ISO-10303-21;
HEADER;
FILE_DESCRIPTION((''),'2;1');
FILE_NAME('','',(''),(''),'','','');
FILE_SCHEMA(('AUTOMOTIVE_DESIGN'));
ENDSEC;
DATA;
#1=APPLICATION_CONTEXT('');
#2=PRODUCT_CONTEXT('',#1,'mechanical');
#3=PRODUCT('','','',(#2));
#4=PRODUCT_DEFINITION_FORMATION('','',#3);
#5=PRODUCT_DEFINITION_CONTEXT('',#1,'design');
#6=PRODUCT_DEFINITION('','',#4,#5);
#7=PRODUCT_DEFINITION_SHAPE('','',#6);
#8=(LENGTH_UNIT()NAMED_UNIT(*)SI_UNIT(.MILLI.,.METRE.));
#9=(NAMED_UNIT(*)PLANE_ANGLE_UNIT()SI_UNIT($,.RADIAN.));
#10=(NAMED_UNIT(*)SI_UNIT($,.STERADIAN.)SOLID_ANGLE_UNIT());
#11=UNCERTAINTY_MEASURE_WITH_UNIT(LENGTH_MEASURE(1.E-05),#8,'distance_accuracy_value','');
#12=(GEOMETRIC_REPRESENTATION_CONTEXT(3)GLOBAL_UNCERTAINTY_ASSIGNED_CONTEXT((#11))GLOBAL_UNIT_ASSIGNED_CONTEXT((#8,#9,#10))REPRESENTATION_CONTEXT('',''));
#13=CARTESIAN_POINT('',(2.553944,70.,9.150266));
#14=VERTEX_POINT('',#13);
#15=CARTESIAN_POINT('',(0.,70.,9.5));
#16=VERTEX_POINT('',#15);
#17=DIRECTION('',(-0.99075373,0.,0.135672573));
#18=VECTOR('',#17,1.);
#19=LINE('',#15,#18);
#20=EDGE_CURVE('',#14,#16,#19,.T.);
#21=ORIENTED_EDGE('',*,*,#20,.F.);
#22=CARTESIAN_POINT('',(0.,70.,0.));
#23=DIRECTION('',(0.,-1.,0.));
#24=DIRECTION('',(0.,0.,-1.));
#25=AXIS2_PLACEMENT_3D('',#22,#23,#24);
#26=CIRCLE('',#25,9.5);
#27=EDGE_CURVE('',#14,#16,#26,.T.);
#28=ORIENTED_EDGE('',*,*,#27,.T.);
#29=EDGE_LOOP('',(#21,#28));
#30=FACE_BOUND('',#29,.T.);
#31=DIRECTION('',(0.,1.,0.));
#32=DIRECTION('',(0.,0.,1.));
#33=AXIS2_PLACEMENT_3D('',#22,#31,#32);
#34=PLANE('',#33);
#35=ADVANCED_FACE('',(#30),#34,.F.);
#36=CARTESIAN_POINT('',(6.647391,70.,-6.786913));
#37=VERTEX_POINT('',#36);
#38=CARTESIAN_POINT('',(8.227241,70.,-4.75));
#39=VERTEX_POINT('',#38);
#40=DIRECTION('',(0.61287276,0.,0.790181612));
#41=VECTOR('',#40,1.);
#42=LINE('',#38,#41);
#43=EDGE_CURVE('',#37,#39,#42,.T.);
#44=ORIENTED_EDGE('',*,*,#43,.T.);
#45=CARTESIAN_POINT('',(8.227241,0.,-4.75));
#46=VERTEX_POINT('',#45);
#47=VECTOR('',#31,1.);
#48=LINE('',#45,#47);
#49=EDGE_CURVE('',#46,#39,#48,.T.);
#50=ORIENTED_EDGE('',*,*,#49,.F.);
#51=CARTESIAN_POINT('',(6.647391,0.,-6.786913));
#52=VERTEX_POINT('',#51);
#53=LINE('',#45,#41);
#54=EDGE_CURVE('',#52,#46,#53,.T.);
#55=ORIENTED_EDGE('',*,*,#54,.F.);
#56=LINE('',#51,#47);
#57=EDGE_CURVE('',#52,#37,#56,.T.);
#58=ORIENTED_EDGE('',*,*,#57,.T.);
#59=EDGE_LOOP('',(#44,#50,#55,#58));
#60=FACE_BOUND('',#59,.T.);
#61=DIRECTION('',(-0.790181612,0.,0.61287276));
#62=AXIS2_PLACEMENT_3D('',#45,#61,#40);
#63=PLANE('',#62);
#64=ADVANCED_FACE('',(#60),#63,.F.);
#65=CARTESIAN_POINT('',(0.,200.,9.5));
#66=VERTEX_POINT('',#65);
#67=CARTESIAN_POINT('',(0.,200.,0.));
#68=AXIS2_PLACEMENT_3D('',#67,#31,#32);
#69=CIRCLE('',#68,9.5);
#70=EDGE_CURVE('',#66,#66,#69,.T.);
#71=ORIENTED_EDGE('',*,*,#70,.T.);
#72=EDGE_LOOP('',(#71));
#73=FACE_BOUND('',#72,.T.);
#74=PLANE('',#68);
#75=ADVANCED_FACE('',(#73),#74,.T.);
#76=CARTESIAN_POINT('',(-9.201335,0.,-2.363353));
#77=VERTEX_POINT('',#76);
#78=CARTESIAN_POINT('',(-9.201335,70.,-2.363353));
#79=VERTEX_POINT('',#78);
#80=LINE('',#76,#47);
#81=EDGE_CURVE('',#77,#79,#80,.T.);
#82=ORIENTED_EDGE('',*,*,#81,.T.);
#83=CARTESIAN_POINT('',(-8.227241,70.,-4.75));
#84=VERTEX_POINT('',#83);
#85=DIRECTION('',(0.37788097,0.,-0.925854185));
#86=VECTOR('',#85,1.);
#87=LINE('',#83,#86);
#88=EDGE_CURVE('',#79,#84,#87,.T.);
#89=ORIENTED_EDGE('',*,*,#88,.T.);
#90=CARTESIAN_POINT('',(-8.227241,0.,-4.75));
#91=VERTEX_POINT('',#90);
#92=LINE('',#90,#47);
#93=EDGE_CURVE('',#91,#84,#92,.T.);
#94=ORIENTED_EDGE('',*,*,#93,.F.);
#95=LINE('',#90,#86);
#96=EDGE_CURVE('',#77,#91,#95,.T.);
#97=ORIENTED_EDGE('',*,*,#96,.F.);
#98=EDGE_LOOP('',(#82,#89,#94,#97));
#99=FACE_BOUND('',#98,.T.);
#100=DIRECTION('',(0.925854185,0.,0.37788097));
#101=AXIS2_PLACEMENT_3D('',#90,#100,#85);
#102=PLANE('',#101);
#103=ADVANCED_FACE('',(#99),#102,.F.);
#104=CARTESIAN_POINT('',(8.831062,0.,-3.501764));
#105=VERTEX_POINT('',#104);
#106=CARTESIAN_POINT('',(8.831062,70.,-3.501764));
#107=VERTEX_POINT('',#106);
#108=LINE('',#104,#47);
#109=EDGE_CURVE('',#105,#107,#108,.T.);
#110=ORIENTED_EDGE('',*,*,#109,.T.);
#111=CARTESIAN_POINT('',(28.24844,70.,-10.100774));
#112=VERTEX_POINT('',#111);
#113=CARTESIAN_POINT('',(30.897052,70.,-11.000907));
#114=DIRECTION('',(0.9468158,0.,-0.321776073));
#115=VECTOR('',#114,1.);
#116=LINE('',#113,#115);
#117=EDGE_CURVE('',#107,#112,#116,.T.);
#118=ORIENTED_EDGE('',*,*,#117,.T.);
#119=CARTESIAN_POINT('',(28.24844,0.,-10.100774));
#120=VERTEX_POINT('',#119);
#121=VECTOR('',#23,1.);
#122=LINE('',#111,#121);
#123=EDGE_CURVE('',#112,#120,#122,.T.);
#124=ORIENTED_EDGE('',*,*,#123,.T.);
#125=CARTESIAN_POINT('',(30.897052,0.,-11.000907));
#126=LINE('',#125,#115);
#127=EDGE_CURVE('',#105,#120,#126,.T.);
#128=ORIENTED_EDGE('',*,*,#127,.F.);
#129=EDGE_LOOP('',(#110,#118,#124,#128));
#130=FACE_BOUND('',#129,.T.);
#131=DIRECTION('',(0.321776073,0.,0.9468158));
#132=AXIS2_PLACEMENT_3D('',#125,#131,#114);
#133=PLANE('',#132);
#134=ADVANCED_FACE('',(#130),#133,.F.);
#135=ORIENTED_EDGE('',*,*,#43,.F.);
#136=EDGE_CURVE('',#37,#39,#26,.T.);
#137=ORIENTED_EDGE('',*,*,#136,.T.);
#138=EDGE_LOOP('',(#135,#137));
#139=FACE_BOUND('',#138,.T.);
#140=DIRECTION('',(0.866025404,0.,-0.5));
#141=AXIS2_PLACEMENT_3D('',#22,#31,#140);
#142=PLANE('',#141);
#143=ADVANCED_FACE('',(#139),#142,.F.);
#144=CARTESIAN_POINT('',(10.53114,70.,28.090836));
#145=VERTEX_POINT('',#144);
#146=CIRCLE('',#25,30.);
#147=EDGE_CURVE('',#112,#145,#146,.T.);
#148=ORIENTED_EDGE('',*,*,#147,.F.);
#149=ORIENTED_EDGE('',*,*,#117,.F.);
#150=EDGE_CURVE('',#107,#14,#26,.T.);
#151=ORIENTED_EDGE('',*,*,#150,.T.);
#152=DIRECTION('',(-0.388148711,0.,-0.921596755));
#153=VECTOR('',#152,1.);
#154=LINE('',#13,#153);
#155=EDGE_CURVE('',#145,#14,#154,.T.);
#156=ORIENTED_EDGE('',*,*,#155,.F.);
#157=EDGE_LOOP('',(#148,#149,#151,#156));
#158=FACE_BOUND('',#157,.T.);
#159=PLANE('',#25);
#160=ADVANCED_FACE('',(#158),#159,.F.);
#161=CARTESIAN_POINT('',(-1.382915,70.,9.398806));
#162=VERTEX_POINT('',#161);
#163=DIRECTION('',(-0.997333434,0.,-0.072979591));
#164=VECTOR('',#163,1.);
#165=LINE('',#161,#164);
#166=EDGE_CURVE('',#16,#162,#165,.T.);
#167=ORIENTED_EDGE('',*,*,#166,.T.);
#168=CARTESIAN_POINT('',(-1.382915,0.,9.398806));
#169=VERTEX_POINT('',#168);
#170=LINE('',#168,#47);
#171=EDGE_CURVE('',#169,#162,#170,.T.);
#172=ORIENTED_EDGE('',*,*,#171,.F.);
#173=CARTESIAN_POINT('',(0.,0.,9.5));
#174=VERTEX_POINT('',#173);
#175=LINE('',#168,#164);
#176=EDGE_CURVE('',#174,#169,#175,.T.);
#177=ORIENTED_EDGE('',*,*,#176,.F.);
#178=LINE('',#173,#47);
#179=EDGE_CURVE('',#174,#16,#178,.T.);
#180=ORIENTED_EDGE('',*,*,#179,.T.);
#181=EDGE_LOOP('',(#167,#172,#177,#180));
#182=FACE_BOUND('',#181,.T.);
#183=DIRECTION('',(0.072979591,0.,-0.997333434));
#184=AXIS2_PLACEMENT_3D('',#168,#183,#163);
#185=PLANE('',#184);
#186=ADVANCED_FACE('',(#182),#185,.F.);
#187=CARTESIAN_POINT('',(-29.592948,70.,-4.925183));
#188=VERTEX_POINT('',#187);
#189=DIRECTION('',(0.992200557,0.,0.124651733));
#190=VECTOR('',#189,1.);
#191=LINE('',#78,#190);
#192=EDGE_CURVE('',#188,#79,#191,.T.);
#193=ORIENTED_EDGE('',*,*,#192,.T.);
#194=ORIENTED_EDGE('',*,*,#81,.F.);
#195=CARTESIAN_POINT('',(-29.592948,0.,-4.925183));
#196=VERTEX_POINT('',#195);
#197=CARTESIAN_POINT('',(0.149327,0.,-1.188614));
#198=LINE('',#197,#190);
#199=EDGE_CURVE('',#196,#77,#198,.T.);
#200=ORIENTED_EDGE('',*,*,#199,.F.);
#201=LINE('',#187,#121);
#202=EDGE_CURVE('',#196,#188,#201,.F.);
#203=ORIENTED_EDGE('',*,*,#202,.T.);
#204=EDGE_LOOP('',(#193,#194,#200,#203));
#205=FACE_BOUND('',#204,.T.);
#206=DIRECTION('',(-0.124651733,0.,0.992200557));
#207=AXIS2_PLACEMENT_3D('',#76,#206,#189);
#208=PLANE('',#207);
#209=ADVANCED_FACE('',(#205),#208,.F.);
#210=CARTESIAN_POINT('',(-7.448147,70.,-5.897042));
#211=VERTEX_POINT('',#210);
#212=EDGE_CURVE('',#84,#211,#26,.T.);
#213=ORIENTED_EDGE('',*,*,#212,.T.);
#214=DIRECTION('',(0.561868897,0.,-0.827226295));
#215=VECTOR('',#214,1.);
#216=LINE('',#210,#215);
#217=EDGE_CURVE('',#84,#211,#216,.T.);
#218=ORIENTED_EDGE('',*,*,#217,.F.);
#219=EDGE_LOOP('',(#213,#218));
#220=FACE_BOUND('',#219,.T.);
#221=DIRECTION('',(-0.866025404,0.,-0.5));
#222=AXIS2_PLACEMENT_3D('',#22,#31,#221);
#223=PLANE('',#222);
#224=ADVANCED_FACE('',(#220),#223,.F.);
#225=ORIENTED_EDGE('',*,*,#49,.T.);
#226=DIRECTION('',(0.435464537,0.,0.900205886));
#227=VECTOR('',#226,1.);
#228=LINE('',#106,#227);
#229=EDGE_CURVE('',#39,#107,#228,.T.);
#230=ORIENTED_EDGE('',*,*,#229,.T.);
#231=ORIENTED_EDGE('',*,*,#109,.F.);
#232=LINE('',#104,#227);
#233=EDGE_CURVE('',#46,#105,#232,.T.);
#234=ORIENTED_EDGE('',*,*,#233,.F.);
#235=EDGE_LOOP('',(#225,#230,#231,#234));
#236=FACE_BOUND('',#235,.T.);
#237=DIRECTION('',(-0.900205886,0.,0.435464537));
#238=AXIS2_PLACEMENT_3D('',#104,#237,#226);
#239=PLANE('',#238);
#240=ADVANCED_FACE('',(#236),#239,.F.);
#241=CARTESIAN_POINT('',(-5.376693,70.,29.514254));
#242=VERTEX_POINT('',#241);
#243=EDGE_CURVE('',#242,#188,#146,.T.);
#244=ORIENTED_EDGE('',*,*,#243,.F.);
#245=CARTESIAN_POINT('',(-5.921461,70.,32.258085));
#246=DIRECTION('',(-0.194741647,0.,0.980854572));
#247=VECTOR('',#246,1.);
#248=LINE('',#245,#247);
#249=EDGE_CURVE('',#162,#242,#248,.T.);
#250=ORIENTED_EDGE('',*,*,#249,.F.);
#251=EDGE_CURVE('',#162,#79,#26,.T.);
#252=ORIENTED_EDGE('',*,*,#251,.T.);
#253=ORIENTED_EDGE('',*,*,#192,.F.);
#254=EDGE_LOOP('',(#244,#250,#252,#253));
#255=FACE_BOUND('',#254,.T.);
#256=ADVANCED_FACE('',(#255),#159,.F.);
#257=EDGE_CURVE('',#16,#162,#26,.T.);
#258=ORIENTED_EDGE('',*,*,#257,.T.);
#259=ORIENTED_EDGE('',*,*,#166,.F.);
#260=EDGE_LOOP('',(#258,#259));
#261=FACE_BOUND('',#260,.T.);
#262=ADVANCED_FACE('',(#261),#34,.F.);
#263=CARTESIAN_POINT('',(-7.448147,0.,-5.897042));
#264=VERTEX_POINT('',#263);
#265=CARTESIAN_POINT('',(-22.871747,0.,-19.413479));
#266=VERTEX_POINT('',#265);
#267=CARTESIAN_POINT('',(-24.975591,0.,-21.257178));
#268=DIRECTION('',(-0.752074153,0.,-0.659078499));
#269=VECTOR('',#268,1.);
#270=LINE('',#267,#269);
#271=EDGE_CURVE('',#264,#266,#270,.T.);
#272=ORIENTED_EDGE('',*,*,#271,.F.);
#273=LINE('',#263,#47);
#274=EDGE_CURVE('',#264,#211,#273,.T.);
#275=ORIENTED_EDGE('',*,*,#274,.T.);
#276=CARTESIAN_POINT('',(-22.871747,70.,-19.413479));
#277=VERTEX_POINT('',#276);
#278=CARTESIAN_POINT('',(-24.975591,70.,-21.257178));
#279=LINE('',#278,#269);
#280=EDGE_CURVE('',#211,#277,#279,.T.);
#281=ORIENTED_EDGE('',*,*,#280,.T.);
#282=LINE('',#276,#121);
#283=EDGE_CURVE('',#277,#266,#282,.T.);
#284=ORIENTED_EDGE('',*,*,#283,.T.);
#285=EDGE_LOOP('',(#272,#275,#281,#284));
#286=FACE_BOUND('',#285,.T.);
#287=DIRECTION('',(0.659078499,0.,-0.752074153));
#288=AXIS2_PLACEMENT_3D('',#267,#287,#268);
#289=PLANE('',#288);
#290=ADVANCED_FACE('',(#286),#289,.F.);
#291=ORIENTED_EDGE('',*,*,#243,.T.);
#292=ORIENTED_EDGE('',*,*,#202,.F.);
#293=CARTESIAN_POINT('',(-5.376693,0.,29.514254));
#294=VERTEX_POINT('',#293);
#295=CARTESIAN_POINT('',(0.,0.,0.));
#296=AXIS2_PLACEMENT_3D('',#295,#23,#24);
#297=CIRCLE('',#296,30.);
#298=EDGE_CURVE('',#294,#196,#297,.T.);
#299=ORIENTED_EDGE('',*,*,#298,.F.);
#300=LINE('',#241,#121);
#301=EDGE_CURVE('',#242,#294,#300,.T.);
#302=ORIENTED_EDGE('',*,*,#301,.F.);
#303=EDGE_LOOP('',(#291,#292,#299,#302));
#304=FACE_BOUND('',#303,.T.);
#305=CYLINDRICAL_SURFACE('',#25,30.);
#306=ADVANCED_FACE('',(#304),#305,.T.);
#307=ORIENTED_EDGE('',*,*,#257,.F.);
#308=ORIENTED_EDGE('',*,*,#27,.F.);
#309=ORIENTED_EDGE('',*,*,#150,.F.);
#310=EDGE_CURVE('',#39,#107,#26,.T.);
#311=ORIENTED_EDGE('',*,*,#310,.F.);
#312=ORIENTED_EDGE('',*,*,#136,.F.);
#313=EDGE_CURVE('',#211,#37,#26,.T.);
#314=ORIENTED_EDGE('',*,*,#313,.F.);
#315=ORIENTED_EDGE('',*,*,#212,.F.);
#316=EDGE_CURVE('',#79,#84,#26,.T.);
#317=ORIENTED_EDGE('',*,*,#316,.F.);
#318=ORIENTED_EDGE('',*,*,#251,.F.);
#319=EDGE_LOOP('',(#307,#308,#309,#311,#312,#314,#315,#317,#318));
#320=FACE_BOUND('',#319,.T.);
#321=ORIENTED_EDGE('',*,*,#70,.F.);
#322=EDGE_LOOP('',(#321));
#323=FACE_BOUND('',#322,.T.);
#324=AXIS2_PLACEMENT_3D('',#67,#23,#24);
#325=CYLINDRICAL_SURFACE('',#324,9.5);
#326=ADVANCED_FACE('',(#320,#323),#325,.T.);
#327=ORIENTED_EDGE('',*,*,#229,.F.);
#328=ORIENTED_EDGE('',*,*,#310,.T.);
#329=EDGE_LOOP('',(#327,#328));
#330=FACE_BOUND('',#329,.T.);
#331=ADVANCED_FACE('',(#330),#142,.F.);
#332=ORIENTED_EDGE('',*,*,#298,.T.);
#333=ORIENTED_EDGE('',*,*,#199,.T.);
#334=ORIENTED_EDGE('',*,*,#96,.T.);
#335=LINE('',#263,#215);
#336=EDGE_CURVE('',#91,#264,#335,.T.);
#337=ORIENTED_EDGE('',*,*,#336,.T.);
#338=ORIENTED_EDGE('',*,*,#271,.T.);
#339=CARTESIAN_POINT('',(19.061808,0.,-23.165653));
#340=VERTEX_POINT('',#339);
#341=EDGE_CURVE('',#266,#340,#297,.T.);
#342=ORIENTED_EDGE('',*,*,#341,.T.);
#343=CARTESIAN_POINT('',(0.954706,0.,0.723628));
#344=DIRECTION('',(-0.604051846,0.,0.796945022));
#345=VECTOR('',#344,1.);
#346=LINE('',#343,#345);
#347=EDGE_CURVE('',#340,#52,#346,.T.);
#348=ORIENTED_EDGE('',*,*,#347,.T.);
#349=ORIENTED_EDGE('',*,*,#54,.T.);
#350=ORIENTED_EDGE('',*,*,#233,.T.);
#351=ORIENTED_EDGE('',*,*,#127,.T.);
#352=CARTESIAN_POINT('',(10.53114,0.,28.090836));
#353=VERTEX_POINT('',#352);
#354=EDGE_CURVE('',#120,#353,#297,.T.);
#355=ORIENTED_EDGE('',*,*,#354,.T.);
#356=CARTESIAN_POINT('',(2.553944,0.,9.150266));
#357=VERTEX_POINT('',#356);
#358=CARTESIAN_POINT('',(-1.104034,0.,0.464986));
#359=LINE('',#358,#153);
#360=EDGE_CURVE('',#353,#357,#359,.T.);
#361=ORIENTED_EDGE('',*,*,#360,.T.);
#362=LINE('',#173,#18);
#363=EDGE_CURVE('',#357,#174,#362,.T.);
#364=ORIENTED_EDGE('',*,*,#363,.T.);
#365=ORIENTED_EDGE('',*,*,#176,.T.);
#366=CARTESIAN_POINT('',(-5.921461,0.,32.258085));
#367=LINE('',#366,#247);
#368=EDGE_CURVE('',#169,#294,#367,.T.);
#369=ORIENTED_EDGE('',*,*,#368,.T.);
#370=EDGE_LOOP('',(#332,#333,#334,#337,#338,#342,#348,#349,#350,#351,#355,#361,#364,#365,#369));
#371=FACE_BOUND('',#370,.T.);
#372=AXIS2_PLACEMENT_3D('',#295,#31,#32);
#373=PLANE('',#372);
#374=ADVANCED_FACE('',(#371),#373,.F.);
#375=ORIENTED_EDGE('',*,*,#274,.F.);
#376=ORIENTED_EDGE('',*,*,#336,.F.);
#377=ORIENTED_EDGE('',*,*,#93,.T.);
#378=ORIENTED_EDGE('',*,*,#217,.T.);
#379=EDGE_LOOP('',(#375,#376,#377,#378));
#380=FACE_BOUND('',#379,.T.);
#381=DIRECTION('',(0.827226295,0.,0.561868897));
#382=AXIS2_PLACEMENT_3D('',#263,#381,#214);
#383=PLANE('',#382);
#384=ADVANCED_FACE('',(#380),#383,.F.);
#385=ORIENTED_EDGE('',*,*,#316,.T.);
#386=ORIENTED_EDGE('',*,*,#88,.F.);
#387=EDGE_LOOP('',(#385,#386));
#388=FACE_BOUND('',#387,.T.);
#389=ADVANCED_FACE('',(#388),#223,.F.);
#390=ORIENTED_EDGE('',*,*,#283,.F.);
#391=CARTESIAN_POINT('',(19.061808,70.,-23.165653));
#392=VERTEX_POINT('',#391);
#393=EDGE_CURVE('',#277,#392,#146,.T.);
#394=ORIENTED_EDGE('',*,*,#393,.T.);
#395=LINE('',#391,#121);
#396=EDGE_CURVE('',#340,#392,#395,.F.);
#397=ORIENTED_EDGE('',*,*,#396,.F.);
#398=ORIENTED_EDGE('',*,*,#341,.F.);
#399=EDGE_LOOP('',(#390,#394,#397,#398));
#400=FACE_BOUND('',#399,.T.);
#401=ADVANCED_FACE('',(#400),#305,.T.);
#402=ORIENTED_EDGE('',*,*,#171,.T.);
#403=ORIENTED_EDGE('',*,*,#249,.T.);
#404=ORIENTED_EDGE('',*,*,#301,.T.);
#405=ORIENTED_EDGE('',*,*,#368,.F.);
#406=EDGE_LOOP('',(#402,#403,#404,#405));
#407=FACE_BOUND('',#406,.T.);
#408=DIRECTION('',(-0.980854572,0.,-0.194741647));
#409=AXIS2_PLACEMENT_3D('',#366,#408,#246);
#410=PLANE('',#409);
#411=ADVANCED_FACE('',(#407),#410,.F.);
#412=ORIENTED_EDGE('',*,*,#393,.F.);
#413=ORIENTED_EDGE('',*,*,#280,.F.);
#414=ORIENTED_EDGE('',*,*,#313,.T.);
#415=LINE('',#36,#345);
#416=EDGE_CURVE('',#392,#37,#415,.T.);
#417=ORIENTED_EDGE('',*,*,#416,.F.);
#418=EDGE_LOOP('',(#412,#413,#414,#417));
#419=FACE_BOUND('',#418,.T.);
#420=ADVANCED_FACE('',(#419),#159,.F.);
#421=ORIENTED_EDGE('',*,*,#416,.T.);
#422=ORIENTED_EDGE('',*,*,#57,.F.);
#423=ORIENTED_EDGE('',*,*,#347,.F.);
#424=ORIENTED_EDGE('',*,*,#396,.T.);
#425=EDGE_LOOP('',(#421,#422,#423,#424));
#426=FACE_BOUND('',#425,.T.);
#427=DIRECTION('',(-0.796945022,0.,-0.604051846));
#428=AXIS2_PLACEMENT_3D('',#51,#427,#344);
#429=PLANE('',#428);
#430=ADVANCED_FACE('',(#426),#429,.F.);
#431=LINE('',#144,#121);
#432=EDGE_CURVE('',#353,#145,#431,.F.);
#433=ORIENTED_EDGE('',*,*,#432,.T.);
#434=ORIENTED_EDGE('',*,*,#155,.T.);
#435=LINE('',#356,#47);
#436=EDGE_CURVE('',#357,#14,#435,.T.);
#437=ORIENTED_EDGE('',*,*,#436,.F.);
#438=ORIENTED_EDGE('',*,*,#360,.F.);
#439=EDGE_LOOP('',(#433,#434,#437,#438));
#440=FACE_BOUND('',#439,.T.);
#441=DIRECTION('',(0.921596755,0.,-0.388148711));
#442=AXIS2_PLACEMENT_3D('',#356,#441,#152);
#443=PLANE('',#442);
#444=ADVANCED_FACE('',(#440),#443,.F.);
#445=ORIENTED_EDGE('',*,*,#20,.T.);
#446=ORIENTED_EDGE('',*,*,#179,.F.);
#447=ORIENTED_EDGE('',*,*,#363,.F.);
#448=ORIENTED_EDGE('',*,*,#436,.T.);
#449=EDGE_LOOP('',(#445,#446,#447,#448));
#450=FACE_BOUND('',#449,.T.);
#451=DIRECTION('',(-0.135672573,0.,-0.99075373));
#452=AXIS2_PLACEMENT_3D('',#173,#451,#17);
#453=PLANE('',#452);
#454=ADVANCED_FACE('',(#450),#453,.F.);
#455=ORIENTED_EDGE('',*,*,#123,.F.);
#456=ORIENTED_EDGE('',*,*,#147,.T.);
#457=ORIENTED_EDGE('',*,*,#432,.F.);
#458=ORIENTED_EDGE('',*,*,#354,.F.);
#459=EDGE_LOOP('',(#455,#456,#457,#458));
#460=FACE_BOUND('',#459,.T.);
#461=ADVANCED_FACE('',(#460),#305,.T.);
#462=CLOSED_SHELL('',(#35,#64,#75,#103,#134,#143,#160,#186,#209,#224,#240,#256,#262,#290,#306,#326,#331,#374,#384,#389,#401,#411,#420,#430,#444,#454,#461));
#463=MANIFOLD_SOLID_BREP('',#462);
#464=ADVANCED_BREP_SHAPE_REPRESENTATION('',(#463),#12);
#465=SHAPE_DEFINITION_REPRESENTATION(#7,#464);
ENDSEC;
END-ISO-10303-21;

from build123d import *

# Parameters (mm, degrees)
SKETCH1_R           = 9.5
BOSS_EXTRUDE1_DEPTH = 200
SKETCH2_R           = 30
SKETCH2_R_2         = 9.5
BOSS_EXTRUDE2_DEPTH = 70
CUT_EXTRUDE1_DEPTH  = 137.747943312
CIRPATTERN1_COUNT   = 3


with BuildPart() as part:
    # Sketch1 → Boss-Extrude1 (new body)
    with BuildSketch(Plane(origin=(0, 0, 0), x_dir=(1, 0, 0), z_dir=(0, 1, 0))):
        with Locations(Location((0, 0, 0), (0, 0, 270))):
            Circle(SKETCH1_R)
    extrude(amount=BOSS_EXTRUDE1_DEPTH)

    # Sketch2 → Boss-Extrude2 (add)
    with BuildSketch(Plane.XZ):
        with Locations(Location((0, 0, 0), (0, 0, 270))):
            Circle(SKETCH2_R)
        with Locations(Location((0, 0, 0), (0, 0, 270))):
            Circle(SKETCH2_R_2, mode=Mode.SUBTRACT)
    extrude(amount=-BOSS_EXTRUDE2_DEPTH)

    # Sketch3 → Cut-Extrude1 (cut, through all)
    with BuildSketch(Plane(origin=(0, 70, 0), x_dir=(1, 0, 0), z_dir=(0, 1, 0))):
        Polygon((-5.921460856, -32.258084995), (-1.382914739, -9.398805606), (0, -9.5), (2.553944051, -9.150266104), (12.286259273, -32.258084995), align=None)
    cut_extrude1 = extrude(amount=-CUT_EXTRUDE1_DEPTH, mode=Mode.SUBTRACT)

    # CirPattern1: Cut-Extrude1 ×3 about axis
    cirpattern1_axis = Axis((0, 0, 0), (0, 1, 0))
    for i in range(1, CIRPATTERN1_COUNT):
        add(cut_extrude1.rotate(cirpattern1_axis, i * 360 / CIRPATTERN1_COUNT), mode=Mode.SUBTRACT)


solid = part.part
